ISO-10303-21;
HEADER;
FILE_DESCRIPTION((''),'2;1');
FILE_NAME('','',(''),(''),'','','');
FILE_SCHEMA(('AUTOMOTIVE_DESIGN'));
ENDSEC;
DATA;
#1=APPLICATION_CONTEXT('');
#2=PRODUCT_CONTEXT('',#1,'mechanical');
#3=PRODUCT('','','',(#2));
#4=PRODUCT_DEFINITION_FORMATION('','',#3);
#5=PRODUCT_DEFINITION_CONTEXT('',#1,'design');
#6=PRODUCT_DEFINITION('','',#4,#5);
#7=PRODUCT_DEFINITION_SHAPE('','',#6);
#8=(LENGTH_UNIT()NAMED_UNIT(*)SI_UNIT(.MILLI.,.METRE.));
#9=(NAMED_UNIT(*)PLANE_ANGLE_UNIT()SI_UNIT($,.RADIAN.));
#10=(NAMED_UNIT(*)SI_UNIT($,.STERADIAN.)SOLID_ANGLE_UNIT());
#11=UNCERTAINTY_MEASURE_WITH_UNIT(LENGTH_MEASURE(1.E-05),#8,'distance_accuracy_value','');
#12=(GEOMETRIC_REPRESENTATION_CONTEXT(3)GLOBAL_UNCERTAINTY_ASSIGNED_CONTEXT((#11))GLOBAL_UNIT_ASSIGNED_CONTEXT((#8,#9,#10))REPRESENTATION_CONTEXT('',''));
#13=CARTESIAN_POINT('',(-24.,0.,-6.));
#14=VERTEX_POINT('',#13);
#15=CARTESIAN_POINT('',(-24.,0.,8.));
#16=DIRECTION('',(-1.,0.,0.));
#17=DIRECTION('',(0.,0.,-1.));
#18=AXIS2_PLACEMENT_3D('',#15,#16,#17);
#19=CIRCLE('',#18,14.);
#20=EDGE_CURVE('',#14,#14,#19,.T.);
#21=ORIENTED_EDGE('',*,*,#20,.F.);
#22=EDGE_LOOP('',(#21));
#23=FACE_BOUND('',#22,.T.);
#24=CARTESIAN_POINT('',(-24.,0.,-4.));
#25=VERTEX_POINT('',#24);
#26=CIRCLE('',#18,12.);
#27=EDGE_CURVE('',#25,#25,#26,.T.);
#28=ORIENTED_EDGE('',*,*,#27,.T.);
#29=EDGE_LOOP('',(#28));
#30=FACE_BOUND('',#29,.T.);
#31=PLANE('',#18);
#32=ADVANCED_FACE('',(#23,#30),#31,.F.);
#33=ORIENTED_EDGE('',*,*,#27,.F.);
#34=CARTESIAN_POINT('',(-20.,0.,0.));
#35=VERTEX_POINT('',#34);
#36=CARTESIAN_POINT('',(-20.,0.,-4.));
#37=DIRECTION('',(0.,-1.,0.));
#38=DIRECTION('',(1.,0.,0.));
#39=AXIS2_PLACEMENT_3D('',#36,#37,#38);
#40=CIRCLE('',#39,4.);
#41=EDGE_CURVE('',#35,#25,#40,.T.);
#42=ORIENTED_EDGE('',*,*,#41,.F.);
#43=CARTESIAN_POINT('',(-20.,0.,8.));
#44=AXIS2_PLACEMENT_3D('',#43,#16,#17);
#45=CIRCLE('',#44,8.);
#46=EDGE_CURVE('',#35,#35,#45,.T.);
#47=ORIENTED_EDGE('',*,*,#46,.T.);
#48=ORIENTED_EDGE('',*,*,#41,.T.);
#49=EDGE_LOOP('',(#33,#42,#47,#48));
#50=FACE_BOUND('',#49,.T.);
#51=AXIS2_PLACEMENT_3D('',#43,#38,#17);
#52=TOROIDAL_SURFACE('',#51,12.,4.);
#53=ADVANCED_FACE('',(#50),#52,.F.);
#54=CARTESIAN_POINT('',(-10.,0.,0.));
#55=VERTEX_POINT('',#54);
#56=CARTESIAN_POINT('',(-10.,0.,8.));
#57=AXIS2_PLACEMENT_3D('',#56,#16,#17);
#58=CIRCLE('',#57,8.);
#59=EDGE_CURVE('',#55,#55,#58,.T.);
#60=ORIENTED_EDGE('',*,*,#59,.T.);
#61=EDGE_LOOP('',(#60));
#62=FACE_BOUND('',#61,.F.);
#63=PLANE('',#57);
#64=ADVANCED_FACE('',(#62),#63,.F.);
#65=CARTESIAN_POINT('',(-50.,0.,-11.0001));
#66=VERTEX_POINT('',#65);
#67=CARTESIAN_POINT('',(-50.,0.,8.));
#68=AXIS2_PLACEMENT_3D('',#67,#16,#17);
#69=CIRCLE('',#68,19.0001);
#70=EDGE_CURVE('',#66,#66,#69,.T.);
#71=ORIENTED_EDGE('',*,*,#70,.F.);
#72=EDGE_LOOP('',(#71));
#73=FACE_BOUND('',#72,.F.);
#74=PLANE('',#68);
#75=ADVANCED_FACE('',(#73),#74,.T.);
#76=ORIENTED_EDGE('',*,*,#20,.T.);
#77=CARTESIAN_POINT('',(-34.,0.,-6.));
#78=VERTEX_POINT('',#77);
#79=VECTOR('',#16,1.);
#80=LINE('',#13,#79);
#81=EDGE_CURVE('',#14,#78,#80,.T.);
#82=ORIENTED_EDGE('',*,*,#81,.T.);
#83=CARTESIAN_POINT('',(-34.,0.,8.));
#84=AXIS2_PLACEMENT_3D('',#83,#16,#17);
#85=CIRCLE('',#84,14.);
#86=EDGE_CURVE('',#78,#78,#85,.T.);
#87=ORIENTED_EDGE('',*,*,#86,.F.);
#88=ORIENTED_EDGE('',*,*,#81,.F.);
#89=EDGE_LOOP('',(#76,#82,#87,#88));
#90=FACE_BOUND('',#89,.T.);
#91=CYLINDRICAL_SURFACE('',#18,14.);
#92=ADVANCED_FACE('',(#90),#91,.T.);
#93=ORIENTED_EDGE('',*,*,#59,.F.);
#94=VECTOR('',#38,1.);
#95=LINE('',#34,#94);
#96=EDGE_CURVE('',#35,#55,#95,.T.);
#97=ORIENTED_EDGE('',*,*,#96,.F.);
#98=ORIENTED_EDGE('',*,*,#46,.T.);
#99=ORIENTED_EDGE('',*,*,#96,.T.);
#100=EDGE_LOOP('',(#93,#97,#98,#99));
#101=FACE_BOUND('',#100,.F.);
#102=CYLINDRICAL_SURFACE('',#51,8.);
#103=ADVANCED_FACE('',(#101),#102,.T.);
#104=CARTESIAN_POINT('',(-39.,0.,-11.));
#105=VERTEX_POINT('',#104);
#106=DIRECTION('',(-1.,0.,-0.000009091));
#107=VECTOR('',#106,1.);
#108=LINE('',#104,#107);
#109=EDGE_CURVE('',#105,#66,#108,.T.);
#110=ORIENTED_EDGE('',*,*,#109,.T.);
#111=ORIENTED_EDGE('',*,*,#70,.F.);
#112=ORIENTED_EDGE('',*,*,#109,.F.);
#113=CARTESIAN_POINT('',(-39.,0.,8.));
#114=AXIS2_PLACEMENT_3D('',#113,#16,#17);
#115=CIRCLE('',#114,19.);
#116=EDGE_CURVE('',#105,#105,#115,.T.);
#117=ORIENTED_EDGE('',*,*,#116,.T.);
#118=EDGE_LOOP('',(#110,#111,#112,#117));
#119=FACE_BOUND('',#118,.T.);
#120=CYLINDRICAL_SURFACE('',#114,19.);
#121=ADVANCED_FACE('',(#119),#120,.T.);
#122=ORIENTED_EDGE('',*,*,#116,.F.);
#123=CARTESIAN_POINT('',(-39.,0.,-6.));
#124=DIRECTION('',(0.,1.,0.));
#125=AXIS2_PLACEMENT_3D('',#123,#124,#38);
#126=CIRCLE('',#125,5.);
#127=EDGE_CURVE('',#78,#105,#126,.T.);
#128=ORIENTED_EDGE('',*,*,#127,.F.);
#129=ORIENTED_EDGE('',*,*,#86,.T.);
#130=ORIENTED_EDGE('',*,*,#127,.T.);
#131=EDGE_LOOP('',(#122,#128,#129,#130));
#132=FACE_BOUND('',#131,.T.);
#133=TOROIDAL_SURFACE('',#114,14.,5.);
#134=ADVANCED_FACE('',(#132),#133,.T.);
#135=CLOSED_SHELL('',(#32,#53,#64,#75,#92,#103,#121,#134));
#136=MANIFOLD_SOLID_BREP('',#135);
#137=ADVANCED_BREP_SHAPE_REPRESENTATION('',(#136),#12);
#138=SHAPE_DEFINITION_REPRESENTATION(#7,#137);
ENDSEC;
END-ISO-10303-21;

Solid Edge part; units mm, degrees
sketch "Sketch1" plane through (0, 0, 0) normal (0, -1, 0) x (1, 0, 0)
  line L0 (-10, 8) -> (-50, 8)
  line L1 (-50, 8) -> (-50, -11.0001)
  line L2 (-39, -11) -> (-50, -11.0001)
  arc A0 (-34, -6) -> (-39, -11) centre (-39, -6) cw
  line L3 (-24, -6) -> (-34, -6)
  line L4 (-24, -4) -> (-24, -6)
  arc A1 (-20, 0) -> (-24, -4) centre (-20, -4) ccw
  line L5 (-20, 0) -> (-10, 0)
  line L6 (-10, 0) -> (-10, 8)
revolve "RevolvedProtrusion1" add sketch "Sketch1" angle 360 about axis through (-10, 0, 8) along (-1, 0, 0)
